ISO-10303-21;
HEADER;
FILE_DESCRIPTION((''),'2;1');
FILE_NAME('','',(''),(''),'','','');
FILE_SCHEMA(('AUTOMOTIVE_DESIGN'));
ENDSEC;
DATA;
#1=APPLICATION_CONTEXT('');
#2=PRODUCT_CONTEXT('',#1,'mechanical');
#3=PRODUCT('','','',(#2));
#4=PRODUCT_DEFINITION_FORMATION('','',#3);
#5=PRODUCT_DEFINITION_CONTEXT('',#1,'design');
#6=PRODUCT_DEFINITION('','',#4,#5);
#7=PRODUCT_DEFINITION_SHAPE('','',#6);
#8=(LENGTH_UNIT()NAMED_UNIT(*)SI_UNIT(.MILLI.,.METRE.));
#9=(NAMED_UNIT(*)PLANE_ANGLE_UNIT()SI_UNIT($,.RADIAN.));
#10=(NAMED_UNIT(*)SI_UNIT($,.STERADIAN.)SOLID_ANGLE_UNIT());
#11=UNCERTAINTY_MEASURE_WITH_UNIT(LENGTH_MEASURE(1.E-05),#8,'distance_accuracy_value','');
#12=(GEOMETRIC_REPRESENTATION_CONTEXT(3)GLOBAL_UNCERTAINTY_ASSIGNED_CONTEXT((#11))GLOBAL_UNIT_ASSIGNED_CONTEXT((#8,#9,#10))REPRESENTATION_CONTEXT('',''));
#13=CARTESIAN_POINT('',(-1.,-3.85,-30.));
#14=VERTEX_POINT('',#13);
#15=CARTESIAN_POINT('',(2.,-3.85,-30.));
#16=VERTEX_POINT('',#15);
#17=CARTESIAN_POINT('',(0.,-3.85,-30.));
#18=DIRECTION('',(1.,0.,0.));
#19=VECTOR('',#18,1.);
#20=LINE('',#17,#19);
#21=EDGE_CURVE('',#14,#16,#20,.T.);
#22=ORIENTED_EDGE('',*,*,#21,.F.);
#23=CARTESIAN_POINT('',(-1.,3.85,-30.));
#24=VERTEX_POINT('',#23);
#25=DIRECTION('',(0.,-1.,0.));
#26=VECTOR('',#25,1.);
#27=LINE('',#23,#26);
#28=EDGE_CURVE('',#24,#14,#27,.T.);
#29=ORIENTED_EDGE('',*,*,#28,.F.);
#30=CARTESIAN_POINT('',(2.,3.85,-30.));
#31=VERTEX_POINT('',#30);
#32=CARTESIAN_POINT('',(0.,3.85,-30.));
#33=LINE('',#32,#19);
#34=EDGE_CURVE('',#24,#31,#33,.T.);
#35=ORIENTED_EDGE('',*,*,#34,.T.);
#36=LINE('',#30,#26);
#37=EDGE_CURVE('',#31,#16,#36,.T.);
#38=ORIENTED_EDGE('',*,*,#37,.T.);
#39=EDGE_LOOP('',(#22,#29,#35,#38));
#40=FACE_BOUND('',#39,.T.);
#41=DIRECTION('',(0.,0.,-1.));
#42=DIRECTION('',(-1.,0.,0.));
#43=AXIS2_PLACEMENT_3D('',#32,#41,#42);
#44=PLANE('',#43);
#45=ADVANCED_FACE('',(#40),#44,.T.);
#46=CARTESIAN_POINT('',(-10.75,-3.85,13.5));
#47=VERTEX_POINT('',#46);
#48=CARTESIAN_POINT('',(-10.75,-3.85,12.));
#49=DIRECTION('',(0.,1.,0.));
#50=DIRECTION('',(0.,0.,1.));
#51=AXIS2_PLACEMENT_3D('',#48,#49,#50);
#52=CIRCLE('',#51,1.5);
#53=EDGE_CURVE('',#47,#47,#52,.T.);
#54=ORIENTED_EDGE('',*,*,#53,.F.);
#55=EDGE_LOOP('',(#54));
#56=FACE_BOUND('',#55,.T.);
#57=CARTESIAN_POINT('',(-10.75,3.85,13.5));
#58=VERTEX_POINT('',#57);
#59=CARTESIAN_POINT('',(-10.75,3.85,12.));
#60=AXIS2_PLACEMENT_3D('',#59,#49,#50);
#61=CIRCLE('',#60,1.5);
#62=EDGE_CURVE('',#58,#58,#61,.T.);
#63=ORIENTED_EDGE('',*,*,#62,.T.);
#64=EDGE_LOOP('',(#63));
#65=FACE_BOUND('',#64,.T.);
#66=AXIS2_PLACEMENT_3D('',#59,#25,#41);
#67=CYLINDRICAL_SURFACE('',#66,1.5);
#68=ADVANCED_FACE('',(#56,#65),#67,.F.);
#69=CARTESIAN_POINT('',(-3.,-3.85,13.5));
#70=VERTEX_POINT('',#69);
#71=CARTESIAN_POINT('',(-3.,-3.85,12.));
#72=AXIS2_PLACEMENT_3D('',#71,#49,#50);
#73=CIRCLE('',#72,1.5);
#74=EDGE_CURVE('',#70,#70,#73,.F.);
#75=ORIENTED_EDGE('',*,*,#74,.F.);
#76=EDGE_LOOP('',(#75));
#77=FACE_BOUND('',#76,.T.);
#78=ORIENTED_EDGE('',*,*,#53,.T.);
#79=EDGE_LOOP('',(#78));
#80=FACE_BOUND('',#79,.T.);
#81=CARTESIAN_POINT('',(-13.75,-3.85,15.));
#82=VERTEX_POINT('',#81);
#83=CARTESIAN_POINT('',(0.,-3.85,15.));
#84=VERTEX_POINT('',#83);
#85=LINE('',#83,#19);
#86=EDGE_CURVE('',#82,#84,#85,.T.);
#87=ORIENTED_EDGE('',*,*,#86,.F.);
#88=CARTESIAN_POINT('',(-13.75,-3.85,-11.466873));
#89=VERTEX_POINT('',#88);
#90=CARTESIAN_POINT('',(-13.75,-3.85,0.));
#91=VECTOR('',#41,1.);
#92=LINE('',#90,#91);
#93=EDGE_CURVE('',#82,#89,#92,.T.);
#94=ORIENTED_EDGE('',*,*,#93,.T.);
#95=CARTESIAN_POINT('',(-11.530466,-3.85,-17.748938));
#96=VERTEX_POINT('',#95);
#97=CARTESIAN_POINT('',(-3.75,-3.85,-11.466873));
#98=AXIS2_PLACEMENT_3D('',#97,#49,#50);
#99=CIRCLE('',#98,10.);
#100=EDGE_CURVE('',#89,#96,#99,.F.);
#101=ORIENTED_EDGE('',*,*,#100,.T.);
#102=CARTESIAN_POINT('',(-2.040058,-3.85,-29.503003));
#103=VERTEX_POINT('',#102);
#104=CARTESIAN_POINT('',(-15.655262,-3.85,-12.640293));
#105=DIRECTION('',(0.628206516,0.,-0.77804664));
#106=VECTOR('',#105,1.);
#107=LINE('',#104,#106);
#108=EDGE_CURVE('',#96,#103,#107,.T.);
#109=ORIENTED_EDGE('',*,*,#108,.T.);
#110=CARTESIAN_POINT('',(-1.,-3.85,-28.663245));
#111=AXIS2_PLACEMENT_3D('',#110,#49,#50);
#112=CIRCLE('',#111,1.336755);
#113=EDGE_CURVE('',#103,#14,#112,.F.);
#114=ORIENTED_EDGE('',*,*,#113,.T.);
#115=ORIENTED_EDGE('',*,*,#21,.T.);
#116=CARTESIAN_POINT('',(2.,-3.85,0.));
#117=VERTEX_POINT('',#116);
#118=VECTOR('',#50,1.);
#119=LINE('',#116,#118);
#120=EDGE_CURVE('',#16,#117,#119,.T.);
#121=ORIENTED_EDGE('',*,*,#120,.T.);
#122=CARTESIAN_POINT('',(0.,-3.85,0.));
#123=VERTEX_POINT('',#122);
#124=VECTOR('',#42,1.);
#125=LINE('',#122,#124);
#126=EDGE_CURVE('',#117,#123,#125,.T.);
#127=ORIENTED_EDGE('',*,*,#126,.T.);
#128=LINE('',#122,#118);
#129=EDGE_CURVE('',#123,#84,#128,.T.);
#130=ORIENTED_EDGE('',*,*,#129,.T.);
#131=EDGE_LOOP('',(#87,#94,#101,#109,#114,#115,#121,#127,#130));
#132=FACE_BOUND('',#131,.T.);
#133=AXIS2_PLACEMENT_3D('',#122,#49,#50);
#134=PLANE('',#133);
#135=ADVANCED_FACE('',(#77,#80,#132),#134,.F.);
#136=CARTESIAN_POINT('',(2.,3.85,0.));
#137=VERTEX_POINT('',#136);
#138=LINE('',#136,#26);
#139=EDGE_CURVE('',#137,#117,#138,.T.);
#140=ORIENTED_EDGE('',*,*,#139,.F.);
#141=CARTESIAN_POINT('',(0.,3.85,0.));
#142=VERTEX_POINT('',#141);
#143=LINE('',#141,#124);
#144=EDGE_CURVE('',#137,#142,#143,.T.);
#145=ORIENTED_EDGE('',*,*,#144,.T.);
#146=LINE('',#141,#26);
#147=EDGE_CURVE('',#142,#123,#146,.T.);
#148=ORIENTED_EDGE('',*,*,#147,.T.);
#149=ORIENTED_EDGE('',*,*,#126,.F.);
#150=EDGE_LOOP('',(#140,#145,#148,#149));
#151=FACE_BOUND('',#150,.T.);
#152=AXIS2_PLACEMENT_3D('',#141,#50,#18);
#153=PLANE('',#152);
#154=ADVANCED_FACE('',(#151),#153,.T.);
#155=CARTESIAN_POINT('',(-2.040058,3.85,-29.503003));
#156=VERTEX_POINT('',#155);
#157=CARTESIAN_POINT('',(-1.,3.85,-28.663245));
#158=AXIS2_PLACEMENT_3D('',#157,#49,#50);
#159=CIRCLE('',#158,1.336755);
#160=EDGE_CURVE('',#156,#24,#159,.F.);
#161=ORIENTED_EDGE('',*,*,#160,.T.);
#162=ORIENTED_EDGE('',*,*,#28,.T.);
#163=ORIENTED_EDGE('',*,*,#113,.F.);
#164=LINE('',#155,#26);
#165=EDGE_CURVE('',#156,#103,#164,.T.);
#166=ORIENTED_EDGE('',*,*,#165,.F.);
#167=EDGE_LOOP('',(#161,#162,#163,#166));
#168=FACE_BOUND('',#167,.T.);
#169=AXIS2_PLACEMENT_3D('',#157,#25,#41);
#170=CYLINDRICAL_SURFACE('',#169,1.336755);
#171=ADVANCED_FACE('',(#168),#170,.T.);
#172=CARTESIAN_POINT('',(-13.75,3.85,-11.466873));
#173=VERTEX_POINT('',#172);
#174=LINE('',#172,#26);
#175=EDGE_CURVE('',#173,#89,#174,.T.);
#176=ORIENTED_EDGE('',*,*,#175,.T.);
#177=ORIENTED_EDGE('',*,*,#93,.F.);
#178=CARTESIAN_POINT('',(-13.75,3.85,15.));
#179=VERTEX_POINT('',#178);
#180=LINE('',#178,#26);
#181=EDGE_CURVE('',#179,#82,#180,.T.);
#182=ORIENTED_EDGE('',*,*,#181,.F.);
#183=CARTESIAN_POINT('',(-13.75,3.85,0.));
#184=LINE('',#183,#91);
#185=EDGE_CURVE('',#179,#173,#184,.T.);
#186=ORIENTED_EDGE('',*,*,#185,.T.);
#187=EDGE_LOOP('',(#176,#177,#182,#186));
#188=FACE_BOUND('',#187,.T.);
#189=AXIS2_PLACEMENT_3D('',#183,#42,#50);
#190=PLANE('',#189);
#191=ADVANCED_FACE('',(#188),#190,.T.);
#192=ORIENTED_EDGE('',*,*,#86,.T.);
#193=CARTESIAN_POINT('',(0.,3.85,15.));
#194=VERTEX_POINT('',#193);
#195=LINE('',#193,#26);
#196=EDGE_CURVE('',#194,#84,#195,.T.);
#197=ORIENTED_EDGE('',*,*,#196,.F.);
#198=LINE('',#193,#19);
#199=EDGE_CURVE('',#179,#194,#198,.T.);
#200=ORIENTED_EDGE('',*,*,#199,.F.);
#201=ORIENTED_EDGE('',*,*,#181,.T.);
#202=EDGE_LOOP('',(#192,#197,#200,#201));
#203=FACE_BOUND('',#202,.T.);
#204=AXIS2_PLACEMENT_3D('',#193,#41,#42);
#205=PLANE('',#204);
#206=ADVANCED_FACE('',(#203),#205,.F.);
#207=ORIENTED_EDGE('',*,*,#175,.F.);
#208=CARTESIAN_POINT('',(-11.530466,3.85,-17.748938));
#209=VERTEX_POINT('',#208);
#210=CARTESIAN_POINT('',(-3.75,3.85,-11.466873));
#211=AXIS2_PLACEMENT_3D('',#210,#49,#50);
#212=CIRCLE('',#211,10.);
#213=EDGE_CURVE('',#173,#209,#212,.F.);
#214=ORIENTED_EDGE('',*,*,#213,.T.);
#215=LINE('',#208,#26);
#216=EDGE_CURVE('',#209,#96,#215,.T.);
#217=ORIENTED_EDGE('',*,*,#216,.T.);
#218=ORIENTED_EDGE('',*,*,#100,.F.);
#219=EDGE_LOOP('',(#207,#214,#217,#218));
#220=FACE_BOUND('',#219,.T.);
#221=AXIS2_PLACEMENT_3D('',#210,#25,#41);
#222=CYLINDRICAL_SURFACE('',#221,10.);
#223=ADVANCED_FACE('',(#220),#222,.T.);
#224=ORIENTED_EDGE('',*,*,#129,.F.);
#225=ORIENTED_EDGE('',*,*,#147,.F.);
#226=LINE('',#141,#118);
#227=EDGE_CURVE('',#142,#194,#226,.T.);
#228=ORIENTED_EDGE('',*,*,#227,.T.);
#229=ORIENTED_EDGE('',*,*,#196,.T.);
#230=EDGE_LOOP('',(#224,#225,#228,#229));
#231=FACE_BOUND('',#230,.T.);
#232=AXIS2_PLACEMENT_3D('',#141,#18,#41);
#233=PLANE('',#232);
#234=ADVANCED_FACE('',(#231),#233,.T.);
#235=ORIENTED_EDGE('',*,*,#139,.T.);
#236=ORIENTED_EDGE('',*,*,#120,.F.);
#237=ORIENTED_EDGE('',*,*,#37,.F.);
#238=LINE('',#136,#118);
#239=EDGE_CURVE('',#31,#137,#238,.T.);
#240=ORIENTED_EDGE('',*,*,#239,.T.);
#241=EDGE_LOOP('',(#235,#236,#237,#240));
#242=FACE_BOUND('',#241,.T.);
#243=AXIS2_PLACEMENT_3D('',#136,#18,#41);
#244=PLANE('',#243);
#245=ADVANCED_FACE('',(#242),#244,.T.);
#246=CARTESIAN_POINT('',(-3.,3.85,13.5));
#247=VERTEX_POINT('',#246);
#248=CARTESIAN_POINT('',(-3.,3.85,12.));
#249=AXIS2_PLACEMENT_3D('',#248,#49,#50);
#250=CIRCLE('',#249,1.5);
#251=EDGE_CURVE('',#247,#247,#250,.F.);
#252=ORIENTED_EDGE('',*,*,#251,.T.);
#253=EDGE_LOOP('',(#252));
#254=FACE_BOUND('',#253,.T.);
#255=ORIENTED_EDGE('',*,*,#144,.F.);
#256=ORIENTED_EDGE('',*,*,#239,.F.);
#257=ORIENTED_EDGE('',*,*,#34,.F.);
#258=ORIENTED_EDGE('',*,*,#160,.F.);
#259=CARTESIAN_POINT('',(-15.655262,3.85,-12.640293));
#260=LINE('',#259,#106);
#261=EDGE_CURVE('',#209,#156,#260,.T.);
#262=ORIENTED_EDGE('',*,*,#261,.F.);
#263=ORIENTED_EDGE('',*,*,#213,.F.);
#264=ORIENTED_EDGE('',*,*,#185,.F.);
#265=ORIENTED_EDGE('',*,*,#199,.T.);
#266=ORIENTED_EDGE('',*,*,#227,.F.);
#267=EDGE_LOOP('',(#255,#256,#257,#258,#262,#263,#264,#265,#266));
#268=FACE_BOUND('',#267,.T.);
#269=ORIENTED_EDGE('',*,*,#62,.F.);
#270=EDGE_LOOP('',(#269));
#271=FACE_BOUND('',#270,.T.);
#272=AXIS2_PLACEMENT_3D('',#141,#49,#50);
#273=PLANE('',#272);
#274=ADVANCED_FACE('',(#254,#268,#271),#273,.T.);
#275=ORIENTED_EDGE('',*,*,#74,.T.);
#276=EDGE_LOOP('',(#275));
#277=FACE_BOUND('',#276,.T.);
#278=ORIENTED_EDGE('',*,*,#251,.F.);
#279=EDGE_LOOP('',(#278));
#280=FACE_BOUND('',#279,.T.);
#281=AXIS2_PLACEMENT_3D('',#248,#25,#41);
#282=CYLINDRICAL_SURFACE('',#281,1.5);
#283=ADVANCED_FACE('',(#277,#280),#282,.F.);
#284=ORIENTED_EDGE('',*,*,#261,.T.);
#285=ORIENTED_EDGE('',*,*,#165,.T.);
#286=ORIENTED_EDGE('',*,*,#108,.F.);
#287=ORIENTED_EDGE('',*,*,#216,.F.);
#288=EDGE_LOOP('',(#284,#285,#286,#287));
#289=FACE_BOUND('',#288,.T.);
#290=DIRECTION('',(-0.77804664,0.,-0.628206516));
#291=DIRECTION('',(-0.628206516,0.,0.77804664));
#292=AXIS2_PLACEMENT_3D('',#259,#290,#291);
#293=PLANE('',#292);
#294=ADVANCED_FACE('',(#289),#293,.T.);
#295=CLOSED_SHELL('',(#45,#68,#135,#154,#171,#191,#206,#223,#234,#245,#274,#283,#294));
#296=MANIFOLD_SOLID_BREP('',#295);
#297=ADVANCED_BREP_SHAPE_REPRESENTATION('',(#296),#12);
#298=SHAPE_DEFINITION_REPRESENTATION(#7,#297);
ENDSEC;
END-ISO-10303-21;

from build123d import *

# Parameters (mm, degrees)
SKETCH1_R           = 1.5
BOSS_EXTRUDE3_DEPTH = 3.85


with BuildPart() as part:
    # Sketch1 → Boss-Extrude3 (new body, symmetric)
    with BuildSketch(Plane(origin=(0, 0, 0), x_dir=(1, 0, 0), z_dir=(0, 1, 0))):
        with BuildLine():
            Line((-13.75, -15), (0, -15))
            Line((0, -15), (0, 0))
            Line((0, 0), (2, 0))
            Line((2, 0), (2, 30))
            Line((2, 30), (-1, 30))
            ThreePointArc((-1, 30), (-1.576352013, 29.869367868), (-2.040057994, 29.503003078))
            Line((-2.040057994, 29.503003078), (-11.530466398, 17.748937838))
            ThreePointArc((-11.530466398, 17.748937838), (-13.178803317, 14.798188939), (-13.75, 11.466872681))
            Line((-13.75, 11.466872681), (-13.75, -15))
        make_face()
        with Locations((-10.75, -12)):
            Circle(SKETCH1_R, mode=Mode.SUBTRACT)
        with Locations((-3, -12)):
            Circle(SKETCH1_R, mode=Mode.SUBTRACT)
    extrude(amount=BOSS_EXTRUDE3_DEPTH, both=True)


solid = part.part
